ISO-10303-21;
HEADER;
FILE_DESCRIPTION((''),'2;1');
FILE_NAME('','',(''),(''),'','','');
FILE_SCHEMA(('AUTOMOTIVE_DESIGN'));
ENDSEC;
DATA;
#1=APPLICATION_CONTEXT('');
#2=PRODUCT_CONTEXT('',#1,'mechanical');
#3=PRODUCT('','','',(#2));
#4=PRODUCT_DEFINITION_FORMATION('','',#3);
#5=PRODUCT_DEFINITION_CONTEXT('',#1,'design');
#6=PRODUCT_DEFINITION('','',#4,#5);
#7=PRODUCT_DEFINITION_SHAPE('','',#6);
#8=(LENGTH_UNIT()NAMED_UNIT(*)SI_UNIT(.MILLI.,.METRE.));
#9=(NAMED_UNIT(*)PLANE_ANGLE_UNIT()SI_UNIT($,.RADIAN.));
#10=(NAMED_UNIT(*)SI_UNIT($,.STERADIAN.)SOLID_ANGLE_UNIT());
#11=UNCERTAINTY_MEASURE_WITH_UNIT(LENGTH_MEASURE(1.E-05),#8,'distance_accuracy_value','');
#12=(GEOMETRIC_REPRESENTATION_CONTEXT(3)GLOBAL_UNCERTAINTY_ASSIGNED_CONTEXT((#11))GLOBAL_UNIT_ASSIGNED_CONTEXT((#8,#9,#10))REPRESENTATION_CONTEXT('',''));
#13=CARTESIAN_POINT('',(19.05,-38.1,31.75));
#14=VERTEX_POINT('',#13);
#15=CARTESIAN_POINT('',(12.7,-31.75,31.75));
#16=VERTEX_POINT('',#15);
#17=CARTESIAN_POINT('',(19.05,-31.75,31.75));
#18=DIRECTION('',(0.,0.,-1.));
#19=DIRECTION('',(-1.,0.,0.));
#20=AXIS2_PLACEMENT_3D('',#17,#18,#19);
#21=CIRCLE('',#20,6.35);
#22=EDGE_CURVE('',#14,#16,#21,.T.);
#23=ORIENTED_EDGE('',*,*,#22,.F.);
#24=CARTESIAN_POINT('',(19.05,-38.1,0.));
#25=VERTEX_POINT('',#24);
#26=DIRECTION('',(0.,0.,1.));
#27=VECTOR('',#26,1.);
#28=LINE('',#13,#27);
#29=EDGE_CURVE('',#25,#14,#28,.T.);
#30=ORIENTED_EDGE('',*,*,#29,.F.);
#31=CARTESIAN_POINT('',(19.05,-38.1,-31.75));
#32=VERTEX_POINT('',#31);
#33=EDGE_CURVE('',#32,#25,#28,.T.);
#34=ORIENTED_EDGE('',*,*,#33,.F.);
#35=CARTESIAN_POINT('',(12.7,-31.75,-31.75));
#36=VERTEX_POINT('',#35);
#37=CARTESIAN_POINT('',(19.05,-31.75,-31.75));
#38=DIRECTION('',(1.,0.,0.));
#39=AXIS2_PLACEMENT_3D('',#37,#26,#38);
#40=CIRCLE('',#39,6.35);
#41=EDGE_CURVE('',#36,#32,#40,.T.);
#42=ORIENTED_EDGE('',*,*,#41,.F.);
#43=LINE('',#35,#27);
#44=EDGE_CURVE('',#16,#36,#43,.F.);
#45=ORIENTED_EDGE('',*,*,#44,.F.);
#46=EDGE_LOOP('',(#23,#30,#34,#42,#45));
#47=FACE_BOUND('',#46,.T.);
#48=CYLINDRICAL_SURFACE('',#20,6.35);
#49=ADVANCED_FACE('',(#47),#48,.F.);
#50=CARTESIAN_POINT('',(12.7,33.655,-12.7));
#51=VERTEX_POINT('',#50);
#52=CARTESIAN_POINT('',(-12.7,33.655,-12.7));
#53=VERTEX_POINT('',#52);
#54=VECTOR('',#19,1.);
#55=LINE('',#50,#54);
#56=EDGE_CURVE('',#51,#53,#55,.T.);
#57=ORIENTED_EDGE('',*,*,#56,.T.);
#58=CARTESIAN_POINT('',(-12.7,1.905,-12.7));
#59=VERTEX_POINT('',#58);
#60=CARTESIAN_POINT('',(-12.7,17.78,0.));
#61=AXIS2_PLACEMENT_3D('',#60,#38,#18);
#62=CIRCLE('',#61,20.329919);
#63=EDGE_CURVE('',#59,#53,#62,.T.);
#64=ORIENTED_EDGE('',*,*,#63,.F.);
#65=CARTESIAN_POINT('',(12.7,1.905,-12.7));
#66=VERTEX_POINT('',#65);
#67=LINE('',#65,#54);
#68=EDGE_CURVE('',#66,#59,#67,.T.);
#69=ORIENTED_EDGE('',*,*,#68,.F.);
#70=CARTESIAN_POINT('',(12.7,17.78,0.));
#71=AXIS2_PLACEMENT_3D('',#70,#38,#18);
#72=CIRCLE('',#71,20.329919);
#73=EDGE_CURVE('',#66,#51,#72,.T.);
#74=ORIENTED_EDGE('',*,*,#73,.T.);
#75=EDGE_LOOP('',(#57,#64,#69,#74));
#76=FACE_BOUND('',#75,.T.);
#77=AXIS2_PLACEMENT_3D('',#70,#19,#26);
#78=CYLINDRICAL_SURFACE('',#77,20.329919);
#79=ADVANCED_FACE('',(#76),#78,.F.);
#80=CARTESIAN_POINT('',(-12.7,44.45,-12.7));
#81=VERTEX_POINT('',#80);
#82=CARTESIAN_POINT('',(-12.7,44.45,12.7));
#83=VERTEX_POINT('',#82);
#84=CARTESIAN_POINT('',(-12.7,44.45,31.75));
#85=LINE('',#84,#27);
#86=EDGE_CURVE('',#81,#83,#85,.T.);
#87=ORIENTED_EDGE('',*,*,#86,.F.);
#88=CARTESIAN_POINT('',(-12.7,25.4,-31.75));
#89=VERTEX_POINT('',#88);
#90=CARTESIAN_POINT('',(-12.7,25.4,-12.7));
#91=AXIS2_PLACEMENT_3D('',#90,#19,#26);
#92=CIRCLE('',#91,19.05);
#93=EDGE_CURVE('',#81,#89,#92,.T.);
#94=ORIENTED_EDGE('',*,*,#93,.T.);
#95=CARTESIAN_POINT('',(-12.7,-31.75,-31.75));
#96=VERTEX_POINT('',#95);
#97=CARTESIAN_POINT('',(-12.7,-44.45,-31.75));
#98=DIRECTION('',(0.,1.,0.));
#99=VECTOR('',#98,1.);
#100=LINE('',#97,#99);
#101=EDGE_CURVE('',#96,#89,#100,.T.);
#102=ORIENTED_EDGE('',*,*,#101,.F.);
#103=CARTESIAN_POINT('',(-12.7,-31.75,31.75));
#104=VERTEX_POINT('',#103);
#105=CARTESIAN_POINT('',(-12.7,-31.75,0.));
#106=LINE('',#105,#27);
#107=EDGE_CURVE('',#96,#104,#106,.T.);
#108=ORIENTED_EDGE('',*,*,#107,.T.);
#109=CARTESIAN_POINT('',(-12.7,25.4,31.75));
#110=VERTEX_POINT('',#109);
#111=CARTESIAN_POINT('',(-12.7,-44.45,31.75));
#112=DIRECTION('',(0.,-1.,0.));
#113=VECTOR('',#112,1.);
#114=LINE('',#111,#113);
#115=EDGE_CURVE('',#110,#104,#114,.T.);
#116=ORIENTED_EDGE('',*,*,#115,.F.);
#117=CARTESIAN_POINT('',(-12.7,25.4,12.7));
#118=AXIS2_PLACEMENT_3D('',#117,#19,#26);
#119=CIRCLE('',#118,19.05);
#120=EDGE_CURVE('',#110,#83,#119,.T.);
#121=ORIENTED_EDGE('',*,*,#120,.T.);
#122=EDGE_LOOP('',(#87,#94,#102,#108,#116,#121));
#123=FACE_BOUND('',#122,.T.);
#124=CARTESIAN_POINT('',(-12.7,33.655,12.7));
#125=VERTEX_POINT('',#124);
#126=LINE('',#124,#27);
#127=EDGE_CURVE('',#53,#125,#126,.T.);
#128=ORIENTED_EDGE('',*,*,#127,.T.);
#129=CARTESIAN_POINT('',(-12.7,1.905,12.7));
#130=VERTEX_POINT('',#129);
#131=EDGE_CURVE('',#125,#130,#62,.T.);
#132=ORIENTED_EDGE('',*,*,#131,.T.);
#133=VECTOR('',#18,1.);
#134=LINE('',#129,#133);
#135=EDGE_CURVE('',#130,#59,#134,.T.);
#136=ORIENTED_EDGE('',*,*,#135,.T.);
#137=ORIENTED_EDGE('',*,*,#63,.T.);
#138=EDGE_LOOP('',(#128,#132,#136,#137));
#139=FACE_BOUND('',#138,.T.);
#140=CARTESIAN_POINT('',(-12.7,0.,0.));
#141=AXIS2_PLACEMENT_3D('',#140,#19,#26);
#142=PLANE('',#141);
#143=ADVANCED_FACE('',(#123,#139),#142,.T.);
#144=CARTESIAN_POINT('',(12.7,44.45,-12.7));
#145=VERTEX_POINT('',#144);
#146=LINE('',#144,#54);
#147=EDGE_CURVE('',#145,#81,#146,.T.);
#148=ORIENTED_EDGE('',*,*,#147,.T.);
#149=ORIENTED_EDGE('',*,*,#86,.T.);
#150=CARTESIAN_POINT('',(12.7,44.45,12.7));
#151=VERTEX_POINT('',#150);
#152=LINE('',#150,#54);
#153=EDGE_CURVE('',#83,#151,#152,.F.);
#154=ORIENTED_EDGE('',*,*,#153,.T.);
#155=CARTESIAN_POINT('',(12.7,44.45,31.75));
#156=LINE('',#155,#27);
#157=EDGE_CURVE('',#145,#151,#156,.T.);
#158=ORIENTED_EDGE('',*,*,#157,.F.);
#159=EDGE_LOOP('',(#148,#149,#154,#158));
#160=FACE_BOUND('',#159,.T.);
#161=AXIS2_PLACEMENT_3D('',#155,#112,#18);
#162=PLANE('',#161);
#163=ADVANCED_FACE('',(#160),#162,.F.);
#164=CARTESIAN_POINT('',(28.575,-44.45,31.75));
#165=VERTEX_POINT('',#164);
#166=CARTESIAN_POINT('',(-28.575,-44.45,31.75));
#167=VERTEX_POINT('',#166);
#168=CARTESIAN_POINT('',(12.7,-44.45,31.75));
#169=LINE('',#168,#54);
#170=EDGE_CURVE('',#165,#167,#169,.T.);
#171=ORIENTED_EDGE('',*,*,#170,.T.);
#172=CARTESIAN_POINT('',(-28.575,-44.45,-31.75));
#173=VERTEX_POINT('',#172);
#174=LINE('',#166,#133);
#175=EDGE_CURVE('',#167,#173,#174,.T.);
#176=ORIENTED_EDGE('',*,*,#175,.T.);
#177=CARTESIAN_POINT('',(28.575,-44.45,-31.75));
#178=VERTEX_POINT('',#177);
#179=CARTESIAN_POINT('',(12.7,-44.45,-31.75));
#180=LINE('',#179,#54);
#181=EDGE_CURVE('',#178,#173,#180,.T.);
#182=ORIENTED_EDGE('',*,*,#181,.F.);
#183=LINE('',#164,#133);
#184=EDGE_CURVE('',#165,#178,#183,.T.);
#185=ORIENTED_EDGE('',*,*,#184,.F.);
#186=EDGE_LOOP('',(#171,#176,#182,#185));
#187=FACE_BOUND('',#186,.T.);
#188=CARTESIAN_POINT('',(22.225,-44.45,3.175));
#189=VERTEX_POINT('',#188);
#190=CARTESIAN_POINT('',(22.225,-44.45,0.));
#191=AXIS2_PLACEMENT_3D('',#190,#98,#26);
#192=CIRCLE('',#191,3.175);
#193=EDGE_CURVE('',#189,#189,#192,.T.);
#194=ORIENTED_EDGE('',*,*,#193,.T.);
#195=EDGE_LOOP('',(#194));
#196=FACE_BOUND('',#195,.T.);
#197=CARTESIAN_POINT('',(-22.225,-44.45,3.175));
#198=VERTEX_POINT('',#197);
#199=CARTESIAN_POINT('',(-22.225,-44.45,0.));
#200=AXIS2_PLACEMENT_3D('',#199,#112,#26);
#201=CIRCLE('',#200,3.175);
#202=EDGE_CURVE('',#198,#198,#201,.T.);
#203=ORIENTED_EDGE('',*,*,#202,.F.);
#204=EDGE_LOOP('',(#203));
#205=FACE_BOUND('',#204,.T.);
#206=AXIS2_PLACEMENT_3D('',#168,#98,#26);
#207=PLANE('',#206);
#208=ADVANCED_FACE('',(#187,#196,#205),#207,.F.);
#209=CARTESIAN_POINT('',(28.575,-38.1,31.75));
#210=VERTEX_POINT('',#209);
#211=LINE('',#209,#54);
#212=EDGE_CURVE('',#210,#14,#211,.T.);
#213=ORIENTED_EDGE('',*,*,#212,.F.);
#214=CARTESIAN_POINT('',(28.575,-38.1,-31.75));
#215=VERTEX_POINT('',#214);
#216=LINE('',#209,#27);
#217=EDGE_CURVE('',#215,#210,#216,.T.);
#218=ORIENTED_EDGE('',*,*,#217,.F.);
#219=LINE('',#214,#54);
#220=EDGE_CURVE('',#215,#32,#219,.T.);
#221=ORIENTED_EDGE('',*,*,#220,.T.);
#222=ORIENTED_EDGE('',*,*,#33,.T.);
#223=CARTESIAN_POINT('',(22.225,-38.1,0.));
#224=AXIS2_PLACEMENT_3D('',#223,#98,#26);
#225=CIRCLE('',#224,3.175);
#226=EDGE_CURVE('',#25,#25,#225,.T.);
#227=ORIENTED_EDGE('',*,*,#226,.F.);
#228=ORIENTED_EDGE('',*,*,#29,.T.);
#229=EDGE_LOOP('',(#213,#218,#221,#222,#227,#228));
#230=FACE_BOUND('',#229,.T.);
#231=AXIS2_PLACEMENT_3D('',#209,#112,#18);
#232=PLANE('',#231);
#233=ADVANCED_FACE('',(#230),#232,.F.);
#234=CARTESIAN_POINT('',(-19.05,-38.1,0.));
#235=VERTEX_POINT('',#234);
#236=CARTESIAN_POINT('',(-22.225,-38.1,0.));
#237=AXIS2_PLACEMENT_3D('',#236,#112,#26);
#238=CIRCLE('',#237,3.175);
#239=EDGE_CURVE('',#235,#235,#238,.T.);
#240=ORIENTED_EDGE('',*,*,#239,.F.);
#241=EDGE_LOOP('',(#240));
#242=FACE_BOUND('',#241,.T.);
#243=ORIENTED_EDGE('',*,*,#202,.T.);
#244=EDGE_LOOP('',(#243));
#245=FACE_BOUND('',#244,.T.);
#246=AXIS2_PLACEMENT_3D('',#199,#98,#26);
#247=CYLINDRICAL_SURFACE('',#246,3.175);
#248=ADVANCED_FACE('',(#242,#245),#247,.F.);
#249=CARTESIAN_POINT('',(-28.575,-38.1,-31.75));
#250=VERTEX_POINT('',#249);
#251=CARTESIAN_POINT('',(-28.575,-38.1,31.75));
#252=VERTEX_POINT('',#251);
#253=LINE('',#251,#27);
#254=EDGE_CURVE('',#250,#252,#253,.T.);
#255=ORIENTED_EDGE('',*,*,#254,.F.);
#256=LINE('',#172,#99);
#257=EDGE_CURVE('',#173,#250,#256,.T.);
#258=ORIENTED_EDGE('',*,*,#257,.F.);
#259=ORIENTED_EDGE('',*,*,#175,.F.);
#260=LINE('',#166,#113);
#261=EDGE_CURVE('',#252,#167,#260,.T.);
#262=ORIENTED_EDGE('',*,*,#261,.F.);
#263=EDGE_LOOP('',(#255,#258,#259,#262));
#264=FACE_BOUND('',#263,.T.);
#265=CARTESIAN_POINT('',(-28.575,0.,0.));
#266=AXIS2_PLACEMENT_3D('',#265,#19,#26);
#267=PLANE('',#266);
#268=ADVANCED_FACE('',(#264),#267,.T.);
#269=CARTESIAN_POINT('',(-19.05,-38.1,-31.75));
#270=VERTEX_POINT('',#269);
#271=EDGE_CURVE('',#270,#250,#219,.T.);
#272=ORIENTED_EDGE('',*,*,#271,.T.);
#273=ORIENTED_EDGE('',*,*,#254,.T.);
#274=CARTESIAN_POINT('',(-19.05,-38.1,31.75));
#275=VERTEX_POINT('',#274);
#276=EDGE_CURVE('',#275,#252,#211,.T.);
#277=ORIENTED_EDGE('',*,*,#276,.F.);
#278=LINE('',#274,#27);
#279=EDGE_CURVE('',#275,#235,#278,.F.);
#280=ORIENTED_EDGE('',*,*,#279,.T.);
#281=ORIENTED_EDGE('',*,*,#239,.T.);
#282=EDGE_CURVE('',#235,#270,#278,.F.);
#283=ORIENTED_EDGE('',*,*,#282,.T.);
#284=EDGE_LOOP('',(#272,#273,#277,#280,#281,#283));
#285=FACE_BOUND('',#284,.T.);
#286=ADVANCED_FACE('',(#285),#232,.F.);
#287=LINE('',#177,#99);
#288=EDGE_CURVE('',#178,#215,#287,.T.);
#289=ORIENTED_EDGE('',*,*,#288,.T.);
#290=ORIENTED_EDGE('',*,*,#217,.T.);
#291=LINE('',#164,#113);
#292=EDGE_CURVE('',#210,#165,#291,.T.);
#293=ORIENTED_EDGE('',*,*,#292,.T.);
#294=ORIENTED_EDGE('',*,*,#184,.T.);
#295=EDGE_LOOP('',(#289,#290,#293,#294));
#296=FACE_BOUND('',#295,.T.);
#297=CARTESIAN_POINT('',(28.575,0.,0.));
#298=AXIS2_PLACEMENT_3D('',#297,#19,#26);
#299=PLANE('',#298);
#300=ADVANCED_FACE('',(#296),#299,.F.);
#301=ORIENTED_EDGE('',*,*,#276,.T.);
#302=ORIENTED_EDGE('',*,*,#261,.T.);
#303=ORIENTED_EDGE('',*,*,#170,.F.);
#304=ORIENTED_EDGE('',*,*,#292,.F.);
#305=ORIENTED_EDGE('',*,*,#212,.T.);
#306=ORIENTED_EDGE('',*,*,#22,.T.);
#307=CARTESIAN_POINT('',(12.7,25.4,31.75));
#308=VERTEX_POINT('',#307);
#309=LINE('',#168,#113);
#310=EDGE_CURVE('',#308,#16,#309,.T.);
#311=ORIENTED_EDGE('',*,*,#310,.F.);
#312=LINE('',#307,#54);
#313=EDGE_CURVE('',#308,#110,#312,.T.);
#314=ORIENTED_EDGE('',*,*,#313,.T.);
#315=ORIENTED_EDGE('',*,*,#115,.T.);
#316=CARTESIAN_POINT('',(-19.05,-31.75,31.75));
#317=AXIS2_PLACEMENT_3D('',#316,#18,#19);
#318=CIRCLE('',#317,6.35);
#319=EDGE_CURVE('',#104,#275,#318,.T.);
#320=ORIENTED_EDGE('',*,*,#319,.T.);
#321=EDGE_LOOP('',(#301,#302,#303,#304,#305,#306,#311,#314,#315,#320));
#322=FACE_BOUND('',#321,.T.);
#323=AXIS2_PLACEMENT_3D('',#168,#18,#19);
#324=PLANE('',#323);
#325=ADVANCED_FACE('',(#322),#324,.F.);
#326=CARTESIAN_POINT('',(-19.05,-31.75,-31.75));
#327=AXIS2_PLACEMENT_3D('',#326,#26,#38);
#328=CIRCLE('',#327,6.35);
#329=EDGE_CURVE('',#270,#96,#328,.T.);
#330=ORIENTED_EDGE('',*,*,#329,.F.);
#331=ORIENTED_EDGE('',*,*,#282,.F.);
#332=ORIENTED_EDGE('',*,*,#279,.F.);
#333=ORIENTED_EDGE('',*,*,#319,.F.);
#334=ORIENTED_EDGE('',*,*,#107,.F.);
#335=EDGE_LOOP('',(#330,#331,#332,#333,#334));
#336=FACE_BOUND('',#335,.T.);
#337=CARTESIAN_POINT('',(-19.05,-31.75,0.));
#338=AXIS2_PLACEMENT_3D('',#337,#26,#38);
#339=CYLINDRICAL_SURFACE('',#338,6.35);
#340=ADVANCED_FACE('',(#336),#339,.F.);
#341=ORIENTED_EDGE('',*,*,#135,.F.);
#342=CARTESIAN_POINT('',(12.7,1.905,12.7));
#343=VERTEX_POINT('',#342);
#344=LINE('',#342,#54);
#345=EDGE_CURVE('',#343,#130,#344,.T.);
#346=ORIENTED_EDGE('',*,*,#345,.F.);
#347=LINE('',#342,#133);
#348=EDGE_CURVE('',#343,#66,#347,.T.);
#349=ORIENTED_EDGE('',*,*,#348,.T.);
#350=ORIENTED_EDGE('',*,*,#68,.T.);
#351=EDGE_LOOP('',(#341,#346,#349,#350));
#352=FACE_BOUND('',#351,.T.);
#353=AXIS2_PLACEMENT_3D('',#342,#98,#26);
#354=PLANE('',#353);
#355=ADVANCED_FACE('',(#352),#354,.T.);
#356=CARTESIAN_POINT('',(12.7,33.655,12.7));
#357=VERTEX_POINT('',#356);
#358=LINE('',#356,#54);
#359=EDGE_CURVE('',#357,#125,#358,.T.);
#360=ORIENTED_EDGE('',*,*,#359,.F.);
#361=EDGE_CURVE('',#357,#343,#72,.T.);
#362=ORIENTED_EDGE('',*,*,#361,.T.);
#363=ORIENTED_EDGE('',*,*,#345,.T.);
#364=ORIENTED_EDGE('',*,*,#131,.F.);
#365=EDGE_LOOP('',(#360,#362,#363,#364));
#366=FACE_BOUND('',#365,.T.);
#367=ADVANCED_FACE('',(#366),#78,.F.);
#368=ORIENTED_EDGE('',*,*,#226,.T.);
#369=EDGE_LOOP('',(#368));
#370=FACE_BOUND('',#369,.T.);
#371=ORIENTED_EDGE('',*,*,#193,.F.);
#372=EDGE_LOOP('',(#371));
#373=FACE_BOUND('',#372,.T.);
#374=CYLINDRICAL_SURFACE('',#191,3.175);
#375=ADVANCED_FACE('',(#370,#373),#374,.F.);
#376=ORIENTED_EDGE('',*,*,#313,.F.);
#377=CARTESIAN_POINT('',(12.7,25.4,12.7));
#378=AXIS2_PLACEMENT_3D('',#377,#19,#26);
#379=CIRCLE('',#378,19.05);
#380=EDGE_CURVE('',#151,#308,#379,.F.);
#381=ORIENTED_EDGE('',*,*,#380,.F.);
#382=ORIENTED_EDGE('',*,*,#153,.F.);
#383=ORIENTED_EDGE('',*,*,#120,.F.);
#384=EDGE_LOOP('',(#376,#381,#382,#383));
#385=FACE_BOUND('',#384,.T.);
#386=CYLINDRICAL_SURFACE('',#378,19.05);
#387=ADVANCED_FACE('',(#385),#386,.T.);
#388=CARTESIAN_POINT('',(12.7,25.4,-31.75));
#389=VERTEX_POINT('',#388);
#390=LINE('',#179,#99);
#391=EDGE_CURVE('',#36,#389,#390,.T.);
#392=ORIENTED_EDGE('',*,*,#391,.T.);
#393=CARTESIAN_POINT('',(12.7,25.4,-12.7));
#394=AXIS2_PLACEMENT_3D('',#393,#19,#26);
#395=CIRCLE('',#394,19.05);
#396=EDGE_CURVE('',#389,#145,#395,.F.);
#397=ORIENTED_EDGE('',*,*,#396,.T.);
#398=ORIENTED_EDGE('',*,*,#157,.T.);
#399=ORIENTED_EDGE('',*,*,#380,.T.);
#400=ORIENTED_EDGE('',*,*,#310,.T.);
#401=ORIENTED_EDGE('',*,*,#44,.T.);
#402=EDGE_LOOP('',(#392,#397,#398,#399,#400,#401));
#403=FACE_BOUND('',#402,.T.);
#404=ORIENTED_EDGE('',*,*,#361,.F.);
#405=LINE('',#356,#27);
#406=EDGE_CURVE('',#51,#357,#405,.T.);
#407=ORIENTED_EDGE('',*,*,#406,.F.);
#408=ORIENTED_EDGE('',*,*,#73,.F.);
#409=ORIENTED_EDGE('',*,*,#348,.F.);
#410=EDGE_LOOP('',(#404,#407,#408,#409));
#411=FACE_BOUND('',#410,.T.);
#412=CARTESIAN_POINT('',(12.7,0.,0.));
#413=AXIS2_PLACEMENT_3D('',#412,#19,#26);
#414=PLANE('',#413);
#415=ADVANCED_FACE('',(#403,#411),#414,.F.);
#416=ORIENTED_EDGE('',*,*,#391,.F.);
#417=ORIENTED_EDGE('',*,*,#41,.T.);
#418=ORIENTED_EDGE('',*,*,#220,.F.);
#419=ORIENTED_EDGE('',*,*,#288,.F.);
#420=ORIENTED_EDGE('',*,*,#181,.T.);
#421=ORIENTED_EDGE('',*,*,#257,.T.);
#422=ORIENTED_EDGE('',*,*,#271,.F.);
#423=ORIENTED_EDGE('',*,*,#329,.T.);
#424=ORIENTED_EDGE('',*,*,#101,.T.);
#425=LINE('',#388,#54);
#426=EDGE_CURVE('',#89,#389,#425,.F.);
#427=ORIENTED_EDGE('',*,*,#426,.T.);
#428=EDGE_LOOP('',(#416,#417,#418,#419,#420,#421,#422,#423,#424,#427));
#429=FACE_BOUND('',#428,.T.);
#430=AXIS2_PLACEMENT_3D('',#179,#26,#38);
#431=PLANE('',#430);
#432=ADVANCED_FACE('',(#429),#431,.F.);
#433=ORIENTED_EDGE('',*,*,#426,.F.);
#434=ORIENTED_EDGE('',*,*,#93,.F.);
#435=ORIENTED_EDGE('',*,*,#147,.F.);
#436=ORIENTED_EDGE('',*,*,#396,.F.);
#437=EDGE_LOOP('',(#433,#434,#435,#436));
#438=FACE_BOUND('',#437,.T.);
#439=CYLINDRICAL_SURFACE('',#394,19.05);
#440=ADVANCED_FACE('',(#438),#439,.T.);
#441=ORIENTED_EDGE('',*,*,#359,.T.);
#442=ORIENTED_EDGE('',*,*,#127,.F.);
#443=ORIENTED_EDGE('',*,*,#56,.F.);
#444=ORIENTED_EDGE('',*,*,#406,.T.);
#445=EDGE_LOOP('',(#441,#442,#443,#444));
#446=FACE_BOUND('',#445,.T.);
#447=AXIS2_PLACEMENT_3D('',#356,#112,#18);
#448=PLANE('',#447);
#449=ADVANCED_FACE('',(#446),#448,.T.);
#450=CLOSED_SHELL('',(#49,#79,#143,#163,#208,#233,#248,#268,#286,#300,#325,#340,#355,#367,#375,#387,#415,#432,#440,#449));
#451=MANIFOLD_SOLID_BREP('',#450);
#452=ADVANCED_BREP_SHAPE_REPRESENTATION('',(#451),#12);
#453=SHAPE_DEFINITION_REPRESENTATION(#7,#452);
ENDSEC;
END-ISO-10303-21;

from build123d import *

# Parameters (mm, degrees)
SKETCH1_W           = 63.5
SKETCH1_H           = 88.9
BOSS_EXTRUDE1_DEPTH = 12.7
SKETCH2_W           = 63.5
SKETCH2_H           = 6.35
BOSS_EXTRUDE2_DEPTH = 28.575
FILLET1_R           = 6.35
SKETCH3_R           = 3.175
CUT_EXTRUDE1_DEPTH  = 93.946735419
FILLET2_R           = 19.05


with BuildPart() as part:
    # Sketch1 → Boss-Extrude1 (new, symmetric)
    with BuildSketch(Plane(origin=(0, 0, 0), x_dir=(0, 0, -1), z_dir=(1, 0, 0))):
        Rectangle(SKETCH1_W, SKETCH1_H)
        with BuildLine():
            Line((-12.7, 1.905), (12.7, 1.905))
            ThreePointArc((12.7, 1.905), (20.329919454, 17.78), (12.7, 33.655))
            Line((12.7, 33.655), (-12.7, 33.655))
            ThreePointArc((-12.7, 33.655), (-20.329919454, 17.78), (-12.7, 1.905))
        make_face(mode=Mode.SUBTRACT)
    extrude(amount=BOSS_EXTRUDE1_DEPTH, both=True)

    # Sketch2 → Boss-Extrude2 (add, symmetric)
    with BuildSketch(Plane(origin=(0, 0, 0), x_dir=(0, 0, -1), z_dir=(1, 0, 0))):
        with Locations((0, -41.275)):
            Rectangle(SKETCH2_W, SKETCH2_H)
    extrude(amount=BOSS_EXTRUDE2_DEPTH, both=True)

    # Fillet1
    fillet1_edges = [part.edges().sort_by_distance(p)[0] for p in [
        (12.7, -38.1, 0),
        (-12.7, -38.1, 0),
    ]]
    fillet(fillet1_edges, radius=FILLET1_R)

    # Sketch3 → Cut-Extrude1 (cut, through all)
    with BuildSketch(Plane(origin=(0, -38.1, 0), x_dir=(1, 0, 0), z_dir=(0, 1, 0))):
        with Locations(Location((22.225, 0, 0), (0, 0, 270))):
            Circle(SKETCH3_R)
    cut_extrude1 = extrude(amount=-CUT_EXTRUDE1_DEPTH, mode=Mode.SUBTRACT)

    # Mirror1: Cut-Extrude1 across plane
    add(cut_extrude1.mirror(Plane(origin=(0, 0, 0), x_dir=(0, 0, 1), z_dir=(1, 0, 0))), mode=Mode.SUBTRACT)

    # Fillet2
    fillet2_edges = [part.edges().sort_by_distance(p)[0] for p in [
        (0, 44.45, 31.75),
        (0, 44.45, -31.75),
    ]]
    fillet(fillet2_edges, radius=FILLET2_R)


solid = part.part
